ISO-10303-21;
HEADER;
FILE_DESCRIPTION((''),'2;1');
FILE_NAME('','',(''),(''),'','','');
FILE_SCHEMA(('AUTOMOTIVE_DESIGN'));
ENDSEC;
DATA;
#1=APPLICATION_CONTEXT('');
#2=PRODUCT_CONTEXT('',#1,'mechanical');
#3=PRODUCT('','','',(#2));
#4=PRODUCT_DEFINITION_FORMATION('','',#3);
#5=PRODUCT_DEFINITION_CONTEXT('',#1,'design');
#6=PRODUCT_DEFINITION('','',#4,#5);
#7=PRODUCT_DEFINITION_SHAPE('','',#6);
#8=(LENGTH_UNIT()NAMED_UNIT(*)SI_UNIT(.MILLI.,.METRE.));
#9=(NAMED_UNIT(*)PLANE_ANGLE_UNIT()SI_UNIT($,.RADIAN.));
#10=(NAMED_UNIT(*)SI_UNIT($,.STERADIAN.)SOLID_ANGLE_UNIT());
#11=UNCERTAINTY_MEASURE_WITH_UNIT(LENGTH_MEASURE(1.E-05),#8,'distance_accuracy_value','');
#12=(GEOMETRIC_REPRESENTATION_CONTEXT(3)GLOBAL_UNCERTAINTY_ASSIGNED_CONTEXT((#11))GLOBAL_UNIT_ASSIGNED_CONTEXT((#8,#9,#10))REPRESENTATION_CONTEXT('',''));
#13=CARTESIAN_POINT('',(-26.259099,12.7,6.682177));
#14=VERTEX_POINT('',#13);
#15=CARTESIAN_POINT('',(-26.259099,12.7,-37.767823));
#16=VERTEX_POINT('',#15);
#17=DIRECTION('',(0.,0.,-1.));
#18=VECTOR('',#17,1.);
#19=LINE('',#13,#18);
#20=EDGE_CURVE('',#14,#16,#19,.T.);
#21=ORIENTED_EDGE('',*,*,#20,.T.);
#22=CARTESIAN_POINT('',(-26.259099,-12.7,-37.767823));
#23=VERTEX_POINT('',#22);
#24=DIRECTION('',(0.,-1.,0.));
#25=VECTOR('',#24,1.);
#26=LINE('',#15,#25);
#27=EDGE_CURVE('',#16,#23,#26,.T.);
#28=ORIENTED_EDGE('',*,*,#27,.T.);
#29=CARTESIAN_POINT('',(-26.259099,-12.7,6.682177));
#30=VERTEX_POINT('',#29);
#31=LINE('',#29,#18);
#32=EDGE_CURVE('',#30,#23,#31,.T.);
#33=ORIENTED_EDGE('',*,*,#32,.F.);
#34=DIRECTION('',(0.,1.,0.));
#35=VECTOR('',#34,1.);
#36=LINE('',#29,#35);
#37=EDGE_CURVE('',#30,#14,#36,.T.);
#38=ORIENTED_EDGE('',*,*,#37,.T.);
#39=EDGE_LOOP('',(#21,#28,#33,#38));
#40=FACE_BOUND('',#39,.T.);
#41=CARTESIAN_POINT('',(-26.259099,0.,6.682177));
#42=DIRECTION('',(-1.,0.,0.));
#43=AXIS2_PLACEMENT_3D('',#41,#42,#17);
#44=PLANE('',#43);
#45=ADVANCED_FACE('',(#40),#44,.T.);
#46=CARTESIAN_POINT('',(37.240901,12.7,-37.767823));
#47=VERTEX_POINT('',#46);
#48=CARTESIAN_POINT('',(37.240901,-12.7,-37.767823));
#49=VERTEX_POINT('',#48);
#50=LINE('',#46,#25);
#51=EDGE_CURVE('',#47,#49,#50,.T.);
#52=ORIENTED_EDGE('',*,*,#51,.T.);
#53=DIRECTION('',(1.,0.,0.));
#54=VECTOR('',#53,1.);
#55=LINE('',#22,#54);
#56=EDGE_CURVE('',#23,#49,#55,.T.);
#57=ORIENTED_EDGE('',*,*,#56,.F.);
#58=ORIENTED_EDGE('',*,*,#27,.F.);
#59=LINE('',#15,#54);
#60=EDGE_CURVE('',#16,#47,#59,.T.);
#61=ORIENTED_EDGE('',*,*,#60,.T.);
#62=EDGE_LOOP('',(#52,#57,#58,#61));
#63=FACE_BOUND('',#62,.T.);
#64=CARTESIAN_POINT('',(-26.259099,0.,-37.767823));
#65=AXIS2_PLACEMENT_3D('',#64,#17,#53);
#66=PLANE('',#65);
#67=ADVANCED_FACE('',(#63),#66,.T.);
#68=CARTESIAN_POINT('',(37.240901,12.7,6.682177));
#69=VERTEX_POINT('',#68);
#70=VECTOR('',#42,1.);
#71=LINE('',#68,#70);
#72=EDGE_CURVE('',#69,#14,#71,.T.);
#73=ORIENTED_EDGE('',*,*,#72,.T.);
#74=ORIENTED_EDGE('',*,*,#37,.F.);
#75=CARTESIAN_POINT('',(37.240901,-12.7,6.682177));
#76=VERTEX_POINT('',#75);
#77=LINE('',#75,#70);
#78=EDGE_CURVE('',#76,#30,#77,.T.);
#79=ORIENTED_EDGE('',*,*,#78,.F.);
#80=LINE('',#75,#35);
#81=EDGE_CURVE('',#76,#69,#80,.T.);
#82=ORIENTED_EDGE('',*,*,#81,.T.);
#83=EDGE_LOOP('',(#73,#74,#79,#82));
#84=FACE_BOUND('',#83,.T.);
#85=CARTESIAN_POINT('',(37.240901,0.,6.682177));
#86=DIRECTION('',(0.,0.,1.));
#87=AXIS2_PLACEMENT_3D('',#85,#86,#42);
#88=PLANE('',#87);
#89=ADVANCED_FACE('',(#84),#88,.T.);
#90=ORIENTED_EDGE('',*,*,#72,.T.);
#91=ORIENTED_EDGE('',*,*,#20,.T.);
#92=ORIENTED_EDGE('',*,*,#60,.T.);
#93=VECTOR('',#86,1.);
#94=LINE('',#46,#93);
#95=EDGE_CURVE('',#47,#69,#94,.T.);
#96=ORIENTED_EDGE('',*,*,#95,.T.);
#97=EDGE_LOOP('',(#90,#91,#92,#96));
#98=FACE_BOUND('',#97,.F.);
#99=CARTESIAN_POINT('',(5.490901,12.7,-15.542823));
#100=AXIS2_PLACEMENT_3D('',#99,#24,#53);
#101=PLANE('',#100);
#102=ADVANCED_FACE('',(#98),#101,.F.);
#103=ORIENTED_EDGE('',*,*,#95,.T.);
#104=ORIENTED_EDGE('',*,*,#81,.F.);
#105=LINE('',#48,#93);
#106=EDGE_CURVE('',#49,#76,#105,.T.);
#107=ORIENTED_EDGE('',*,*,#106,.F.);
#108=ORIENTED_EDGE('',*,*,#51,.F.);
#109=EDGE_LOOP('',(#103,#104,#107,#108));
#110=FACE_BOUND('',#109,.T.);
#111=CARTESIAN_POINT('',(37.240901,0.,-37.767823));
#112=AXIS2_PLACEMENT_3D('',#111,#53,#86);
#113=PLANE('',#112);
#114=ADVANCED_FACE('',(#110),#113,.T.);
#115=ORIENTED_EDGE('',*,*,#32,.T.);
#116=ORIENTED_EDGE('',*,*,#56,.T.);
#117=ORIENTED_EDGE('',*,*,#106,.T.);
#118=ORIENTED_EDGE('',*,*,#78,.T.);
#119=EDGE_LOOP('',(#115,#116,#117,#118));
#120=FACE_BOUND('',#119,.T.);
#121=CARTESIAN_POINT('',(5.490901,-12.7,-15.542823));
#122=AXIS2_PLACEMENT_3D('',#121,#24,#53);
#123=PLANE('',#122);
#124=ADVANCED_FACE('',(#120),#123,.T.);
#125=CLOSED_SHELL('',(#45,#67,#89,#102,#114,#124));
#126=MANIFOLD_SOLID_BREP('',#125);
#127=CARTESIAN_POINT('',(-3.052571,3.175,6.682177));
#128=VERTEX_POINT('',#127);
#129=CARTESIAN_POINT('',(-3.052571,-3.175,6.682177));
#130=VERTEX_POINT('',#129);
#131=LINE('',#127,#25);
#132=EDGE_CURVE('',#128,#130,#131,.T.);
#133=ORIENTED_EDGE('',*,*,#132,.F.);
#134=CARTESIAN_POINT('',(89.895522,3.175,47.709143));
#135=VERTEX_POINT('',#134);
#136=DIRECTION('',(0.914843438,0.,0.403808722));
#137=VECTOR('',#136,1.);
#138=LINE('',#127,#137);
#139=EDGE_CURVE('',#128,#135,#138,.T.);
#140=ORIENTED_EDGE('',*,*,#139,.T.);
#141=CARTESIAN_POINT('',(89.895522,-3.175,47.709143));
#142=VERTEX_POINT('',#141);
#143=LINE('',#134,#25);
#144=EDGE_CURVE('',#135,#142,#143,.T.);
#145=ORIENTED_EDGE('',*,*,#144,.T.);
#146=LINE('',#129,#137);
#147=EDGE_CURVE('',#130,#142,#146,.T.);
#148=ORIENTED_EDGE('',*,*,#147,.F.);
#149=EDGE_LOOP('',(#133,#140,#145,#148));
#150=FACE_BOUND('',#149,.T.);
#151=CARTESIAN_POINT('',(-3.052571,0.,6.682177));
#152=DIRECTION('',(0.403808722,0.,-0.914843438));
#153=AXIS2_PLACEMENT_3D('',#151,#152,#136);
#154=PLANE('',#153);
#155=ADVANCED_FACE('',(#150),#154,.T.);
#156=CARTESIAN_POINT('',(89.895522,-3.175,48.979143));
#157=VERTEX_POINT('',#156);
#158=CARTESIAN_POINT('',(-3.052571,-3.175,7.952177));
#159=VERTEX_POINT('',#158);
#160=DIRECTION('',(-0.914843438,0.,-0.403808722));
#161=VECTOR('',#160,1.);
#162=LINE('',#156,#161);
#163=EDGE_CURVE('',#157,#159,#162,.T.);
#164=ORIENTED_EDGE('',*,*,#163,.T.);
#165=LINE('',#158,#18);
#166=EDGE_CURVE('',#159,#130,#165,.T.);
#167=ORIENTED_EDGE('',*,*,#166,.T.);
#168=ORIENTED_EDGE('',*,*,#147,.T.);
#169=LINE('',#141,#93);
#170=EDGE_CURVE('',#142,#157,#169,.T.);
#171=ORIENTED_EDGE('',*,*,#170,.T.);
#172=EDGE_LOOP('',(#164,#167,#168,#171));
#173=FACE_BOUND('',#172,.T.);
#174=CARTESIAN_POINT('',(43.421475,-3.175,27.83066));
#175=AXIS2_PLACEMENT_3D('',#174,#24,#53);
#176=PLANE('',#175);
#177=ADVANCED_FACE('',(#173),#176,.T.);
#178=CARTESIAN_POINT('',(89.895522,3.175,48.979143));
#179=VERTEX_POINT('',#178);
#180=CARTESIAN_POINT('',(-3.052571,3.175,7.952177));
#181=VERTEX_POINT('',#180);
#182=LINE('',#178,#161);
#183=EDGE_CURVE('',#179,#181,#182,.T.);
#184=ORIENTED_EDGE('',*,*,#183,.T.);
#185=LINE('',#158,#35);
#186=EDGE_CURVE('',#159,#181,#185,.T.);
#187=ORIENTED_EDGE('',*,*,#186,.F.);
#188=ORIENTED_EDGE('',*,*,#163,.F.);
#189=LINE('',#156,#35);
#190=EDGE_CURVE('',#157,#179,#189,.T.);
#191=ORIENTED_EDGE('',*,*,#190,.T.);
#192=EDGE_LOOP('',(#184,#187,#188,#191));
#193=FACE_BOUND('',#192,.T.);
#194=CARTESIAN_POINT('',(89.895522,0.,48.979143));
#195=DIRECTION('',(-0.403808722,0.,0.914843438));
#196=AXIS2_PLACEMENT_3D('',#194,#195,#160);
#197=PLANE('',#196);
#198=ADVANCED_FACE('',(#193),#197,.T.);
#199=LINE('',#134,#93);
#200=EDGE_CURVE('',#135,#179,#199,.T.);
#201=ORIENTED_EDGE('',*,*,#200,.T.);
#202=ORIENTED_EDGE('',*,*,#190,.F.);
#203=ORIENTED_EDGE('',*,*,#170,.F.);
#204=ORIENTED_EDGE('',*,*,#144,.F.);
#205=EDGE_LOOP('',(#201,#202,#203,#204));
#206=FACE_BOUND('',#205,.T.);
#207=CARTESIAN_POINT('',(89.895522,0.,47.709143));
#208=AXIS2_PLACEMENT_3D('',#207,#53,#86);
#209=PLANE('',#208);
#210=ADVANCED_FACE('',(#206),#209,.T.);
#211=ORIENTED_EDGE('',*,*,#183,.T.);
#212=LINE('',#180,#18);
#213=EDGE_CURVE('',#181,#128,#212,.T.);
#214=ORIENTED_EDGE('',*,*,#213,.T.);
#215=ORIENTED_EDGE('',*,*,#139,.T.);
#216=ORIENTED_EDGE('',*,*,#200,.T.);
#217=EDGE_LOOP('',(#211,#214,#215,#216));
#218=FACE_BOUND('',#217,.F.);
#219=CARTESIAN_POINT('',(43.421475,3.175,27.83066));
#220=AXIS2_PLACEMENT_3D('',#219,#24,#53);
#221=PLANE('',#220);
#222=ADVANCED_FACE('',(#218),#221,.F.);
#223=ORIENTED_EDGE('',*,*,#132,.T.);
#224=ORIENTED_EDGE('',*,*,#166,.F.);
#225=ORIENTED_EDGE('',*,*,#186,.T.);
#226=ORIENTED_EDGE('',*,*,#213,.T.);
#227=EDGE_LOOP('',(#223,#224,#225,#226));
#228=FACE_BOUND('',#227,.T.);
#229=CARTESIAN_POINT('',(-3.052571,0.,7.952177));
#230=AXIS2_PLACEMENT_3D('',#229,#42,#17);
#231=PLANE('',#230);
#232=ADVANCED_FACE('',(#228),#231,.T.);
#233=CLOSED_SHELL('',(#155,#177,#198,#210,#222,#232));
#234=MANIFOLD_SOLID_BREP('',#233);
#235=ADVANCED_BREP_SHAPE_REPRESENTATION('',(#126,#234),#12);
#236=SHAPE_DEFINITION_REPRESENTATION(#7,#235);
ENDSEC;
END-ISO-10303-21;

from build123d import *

# Parameters (mm, degrees)
F1_DEPTH = 12.7
F2_DEPTH = 3.175


with BuildPart() as f1:
    # F0 (on Front) → F1 (new body, symmetric)
    with BuildSketch(Plane.XZ):
        Polygon((-3.052571, 6.682177), (-26.259099, 6.682177), (-26.259099, -37.767823), (37.240901, -37.767823), (37.240901, 6.682177), align=None)
    extrude(amount=F1_DEPTH, both=True)


with BuildPart() as f2:
    # F0 (on Front) → F2 (new body, symmetric)
    with BuildSketch(Plane.XZ):
        Polygon((-3.052571, 7.952177), (-3.052571, 6.682177), (89.895522, 47.709143), (89.895522, 48.979143), align=None)
    extrude(amount=F2_DEPTH, both=True)


solid = Compound([f1.part, f2.part])
